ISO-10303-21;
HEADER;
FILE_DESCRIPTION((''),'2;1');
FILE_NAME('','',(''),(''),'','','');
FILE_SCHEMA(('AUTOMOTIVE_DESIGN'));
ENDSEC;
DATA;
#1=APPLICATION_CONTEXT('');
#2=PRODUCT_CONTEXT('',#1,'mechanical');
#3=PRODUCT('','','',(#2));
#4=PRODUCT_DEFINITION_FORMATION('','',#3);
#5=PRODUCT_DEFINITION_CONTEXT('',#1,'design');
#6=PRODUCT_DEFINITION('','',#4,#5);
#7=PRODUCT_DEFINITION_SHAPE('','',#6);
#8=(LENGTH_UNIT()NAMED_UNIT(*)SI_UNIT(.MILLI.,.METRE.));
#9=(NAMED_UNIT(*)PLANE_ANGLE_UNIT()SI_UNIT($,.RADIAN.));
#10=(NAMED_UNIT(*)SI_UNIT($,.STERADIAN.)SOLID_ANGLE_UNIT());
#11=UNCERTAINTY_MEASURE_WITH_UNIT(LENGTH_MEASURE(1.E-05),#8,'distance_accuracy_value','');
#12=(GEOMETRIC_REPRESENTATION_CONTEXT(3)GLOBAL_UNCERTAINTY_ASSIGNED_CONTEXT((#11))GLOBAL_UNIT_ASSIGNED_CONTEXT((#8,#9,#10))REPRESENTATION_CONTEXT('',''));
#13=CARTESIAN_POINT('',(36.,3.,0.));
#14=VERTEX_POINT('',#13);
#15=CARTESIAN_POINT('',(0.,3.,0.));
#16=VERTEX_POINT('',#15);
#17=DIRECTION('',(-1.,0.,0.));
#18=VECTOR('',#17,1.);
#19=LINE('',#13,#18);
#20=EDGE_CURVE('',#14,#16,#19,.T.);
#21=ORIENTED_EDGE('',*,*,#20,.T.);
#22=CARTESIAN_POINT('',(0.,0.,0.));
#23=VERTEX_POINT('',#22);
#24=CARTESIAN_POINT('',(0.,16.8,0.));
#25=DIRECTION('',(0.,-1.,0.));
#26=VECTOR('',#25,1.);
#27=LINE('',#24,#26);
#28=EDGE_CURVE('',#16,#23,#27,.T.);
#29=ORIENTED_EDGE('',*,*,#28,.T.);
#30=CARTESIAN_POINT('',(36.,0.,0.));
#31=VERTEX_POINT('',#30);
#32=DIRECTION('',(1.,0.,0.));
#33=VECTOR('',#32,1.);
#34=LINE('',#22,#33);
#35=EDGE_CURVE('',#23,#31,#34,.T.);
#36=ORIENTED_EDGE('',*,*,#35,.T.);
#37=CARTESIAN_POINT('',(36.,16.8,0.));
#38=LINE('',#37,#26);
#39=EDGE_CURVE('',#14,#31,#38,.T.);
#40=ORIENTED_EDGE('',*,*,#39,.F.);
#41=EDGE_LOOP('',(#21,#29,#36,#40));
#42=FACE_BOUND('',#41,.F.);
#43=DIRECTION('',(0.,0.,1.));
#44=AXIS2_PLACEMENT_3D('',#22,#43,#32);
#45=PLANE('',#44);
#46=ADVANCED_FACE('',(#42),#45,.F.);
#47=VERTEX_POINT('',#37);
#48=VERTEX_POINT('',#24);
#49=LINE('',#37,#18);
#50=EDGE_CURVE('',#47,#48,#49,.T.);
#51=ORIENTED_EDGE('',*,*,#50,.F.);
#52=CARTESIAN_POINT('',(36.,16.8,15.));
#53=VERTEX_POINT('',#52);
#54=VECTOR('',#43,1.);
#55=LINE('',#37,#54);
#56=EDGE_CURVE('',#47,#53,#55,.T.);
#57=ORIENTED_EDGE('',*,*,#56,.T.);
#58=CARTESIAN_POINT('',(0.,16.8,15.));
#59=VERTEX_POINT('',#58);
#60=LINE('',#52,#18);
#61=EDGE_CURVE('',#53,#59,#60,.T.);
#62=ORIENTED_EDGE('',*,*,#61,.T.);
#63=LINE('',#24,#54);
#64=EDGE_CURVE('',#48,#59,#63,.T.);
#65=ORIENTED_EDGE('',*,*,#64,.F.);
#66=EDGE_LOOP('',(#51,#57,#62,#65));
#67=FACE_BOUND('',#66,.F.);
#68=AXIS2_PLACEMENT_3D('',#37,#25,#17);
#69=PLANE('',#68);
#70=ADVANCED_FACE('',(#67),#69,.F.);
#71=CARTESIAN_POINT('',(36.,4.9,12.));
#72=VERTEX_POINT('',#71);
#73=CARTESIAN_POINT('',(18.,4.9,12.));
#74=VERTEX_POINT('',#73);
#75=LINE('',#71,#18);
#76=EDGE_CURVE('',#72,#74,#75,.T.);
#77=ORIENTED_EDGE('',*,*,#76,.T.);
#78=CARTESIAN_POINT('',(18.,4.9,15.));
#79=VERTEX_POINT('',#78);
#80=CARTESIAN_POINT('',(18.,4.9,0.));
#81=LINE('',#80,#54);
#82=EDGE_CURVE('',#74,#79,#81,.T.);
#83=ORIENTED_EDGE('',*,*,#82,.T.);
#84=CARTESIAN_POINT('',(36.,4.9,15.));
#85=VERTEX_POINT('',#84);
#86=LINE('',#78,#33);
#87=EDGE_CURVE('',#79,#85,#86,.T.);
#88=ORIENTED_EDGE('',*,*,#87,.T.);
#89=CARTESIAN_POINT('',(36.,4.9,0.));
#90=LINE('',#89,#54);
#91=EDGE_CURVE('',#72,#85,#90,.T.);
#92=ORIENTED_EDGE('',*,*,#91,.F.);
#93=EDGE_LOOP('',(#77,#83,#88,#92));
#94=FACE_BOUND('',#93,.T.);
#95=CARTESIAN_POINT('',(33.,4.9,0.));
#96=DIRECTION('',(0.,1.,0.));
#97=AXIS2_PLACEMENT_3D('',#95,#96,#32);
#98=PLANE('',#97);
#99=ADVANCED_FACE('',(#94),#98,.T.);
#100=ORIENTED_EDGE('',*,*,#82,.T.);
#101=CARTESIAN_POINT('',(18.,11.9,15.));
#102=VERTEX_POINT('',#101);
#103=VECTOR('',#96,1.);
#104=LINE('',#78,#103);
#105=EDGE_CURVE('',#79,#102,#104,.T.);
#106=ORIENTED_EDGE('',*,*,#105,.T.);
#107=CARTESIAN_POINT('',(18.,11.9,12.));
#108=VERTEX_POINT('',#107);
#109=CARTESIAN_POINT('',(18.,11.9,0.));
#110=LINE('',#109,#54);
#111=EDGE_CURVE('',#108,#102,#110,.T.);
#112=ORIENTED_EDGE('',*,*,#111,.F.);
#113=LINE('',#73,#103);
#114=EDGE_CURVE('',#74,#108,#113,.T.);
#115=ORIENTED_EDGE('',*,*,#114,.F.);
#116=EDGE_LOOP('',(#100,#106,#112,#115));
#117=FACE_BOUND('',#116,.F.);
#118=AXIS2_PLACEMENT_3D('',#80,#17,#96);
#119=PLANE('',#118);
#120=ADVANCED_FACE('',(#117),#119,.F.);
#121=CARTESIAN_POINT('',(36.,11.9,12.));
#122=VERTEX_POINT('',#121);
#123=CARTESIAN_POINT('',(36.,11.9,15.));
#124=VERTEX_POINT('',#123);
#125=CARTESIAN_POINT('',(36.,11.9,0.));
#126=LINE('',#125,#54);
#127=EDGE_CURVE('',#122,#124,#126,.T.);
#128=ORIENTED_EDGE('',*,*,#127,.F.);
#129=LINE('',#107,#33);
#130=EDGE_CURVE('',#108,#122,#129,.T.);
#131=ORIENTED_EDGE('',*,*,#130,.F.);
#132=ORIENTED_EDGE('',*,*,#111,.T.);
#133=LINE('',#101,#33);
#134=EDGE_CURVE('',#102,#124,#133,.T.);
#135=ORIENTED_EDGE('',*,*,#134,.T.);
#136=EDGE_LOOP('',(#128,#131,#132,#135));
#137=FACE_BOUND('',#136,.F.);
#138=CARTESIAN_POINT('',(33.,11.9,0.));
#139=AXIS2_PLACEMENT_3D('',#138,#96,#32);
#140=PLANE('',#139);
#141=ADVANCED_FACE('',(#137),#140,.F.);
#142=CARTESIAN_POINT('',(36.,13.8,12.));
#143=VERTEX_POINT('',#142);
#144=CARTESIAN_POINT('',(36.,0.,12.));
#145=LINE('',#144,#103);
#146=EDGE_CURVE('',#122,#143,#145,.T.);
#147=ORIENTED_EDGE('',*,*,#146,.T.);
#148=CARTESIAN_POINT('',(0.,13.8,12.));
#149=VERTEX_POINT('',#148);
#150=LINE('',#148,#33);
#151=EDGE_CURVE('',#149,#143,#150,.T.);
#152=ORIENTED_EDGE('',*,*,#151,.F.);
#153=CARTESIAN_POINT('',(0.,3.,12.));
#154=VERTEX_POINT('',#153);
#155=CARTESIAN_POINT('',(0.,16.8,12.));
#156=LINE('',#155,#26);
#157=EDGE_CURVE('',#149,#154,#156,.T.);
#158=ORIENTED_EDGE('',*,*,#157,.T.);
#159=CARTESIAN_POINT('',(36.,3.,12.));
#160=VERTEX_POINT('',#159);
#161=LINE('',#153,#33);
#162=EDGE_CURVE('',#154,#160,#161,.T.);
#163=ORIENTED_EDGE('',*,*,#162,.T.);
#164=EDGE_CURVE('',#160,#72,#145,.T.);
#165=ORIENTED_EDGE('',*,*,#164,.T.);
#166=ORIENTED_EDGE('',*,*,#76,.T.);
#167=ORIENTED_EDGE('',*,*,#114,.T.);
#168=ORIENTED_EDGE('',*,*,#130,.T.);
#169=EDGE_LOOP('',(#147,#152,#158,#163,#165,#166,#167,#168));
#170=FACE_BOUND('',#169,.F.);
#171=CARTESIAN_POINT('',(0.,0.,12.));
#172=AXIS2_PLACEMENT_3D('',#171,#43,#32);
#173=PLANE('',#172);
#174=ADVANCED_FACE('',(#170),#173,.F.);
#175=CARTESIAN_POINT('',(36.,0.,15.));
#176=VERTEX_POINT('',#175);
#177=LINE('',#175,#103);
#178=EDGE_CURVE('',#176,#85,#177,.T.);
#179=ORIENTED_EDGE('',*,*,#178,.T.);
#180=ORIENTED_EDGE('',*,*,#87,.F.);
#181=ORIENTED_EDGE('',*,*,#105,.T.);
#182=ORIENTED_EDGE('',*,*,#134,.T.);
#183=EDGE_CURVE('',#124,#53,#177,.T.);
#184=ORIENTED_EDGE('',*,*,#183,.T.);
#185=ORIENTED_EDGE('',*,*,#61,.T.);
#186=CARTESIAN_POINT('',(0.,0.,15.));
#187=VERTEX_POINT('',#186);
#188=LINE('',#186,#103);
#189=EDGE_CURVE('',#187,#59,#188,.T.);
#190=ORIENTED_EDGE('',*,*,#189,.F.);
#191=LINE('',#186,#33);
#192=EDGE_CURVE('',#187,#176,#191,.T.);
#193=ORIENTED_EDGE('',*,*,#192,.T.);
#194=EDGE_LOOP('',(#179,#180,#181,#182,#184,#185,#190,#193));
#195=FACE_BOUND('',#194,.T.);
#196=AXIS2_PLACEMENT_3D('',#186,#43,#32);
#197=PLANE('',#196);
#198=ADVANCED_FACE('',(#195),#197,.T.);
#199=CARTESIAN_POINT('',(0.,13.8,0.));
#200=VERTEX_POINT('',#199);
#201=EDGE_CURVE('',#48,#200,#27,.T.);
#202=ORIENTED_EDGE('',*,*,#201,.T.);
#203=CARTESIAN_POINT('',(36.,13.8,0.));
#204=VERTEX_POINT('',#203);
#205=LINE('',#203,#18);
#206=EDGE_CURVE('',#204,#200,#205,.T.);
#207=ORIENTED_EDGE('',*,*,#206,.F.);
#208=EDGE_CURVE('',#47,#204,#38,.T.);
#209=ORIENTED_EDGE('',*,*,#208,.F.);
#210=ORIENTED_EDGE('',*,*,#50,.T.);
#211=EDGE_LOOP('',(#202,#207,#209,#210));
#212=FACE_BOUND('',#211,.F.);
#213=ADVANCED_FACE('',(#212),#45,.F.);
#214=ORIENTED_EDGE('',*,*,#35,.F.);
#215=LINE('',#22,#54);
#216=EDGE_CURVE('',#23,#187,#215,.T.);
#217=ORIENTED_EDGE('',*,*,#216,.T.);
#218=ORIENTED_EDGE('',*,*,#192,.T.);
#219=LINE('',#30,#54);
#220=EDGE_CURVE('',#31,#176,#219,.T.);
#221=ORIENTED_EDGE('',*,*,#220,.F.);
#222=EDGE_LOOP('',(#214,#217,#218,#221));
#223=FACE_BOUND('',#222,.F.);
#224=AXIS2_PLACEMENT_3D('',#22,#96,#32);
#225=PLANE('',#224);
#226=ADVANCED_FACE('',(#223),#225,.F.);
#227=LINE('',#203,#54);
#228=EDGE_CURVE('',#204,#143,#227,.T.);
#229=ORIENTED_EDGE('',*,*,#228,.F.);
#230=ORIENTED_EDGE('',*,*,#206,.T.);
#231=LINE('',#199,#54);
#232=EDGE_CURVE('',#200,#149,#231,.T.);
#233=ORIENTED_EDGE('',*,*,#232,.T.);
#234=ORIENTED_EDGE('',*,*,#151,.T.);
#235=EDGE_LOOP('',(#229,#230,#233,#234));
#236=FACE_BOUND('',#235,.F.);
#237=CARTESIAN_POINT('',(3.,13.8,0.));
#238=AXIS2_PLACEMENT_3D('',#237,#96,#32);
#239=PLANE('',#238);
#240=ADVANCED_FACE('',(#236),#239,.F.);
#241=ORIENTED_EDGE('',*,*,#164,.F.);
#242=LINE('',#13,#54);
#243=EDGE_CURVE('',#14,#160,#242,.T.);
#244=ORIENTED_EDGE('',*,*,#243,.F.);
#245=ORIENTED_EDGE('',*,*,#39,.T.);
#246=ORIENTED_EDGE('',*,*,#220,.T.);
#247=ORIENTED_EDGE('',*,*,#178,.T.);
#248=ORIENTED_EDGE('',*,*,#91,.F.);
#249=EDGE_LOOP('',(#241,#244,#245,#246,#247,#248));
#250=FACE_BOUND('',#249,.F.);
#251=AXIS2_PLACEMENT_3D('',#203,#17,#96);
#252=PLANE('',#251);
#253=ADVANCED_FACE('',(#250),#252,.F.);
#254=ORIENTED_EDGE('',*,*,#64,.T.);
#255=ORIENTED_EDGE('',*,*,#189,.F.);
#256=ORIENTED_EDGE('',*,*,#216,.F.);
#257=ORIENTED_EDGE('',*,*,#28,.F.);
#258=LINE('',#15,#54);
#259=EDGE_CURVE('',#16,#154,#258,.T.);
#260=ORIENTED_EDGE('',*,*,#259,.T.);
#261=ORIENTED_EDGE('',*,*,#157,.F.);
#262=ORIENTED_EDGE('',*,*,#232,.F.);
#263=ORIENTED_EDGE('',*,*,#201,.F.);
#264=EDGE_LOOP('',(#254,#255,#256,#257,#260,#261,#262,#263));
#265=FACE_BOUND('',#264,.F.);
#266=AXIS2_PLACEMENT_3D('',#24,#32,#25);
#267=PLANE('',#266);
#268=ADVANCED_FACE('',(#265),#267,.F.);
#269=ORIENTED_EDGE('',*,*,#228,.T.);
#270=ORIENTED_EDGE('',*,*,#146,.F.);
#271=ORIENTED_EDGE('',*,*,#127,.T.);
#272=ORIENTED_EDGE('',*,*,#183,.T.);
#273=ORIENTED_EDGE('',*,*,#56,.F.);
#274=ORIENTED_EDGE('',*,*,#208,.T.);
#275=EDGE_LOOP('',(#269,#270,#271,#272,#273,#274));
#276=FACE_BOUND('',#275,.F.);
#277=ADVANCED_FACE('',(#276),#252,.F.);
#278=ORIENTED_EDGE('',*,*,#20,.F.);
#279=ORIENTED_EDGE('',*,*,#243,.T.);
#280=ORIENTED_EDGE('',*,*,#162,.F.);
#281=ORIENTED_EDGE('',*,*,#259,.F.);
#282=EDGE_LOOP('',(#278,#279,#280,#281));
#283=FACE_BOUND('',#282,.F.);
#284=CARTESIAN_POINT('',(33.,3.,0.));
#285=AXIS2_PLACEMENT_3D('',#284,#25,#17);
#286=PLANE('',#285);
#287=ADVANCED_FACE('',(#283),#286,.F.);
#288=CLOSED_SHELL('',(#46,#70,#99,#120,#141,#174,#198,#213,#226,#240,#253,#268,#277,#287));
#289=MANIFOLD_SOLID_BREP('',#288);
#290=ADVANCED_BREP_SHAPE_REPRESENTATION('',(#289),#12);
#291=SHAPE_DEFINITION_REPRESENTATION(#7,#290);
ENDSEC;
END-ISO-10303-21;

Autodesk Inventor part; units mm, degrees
ref_plane "YZ Plane" through (0, 0, 0) normal (1, 0, 0) x (0, 1, 0)
ref_plane "XZ Plane" through (0, 0, 0) normal (0, 1, 0) x (-1, 0, 0)
ref_plane "XY Plane" through (0, 0, 0) normal (0, 0, 1) x (1, 0, 0)
sketch "sketch" plane through (0, 0, 0) normal (0, 0, 1) x (1, 0, 0)
  line L0 (-7.2, 0) -> (43.2, 0) construction
  line L1 (0, -3.36) -> (0, 20.16) construction
  line L2 (3, 13.8) -> (33, 13.8)
  line L3 (33, 13.8) -> (33, 3)
  line L4 (33, 3) -> (3, 3)
  line L5 (3, 3) -> (3, 13.8)
  line L6 (18, 11.9) -> (33, 11.9)
  line L7 (33, 11.9) -> (33, 4.9)
  line L8 (33, 4.9) -> (18, 4.9)
  line L9 (18, 4.9) -> (18, 11.9)
  line L10 (36, 16.8) -> (0, 16.8)
  line L11 (0, 16.8) -> (0, 0)
  line L12 (0, 0) -> (36, 0)
  line L13 (36, 0) -> (36, 16.8)
  line L14 (33, 4.9) -> (36, 4.9)
  line L15 (33, 11.9) -> (36, 11.9)
  line L16 (0, 3) -> (3, 3)
  line L17 (0, 13.8) -> (3, 13.8)
  line L18 (33, 3) -> (36, 3)
  line L19 (33, 13.8) -> (36, 13.8)
  dimension "d0" = 10.8
  dimension "d2" = 7
  dimension "d3" = 1.9
  dimension "d4" = 15
  dimension "d5" = 30
  dimension "d6" = 3
extrude "돌출1" add sketch "sketch" along normal blind 15
extrude "floor" cut sketch "sketch" along normal blind 12 contours L2 L3 L6 L9 L8 L4 L5 | L5 L16 L11 L17 | L19 L13 L15 L3 | L3 L14 L13 L18
extrude "fix" cut sketch "sketch" along normal up to surface (15 mm away) contours L15 L13 L14 L3 | L3 L8 L9 L6
equation "\"d3\" = -0.5 * d2 + 0.5 * d0"
properties part number "button_fix"
